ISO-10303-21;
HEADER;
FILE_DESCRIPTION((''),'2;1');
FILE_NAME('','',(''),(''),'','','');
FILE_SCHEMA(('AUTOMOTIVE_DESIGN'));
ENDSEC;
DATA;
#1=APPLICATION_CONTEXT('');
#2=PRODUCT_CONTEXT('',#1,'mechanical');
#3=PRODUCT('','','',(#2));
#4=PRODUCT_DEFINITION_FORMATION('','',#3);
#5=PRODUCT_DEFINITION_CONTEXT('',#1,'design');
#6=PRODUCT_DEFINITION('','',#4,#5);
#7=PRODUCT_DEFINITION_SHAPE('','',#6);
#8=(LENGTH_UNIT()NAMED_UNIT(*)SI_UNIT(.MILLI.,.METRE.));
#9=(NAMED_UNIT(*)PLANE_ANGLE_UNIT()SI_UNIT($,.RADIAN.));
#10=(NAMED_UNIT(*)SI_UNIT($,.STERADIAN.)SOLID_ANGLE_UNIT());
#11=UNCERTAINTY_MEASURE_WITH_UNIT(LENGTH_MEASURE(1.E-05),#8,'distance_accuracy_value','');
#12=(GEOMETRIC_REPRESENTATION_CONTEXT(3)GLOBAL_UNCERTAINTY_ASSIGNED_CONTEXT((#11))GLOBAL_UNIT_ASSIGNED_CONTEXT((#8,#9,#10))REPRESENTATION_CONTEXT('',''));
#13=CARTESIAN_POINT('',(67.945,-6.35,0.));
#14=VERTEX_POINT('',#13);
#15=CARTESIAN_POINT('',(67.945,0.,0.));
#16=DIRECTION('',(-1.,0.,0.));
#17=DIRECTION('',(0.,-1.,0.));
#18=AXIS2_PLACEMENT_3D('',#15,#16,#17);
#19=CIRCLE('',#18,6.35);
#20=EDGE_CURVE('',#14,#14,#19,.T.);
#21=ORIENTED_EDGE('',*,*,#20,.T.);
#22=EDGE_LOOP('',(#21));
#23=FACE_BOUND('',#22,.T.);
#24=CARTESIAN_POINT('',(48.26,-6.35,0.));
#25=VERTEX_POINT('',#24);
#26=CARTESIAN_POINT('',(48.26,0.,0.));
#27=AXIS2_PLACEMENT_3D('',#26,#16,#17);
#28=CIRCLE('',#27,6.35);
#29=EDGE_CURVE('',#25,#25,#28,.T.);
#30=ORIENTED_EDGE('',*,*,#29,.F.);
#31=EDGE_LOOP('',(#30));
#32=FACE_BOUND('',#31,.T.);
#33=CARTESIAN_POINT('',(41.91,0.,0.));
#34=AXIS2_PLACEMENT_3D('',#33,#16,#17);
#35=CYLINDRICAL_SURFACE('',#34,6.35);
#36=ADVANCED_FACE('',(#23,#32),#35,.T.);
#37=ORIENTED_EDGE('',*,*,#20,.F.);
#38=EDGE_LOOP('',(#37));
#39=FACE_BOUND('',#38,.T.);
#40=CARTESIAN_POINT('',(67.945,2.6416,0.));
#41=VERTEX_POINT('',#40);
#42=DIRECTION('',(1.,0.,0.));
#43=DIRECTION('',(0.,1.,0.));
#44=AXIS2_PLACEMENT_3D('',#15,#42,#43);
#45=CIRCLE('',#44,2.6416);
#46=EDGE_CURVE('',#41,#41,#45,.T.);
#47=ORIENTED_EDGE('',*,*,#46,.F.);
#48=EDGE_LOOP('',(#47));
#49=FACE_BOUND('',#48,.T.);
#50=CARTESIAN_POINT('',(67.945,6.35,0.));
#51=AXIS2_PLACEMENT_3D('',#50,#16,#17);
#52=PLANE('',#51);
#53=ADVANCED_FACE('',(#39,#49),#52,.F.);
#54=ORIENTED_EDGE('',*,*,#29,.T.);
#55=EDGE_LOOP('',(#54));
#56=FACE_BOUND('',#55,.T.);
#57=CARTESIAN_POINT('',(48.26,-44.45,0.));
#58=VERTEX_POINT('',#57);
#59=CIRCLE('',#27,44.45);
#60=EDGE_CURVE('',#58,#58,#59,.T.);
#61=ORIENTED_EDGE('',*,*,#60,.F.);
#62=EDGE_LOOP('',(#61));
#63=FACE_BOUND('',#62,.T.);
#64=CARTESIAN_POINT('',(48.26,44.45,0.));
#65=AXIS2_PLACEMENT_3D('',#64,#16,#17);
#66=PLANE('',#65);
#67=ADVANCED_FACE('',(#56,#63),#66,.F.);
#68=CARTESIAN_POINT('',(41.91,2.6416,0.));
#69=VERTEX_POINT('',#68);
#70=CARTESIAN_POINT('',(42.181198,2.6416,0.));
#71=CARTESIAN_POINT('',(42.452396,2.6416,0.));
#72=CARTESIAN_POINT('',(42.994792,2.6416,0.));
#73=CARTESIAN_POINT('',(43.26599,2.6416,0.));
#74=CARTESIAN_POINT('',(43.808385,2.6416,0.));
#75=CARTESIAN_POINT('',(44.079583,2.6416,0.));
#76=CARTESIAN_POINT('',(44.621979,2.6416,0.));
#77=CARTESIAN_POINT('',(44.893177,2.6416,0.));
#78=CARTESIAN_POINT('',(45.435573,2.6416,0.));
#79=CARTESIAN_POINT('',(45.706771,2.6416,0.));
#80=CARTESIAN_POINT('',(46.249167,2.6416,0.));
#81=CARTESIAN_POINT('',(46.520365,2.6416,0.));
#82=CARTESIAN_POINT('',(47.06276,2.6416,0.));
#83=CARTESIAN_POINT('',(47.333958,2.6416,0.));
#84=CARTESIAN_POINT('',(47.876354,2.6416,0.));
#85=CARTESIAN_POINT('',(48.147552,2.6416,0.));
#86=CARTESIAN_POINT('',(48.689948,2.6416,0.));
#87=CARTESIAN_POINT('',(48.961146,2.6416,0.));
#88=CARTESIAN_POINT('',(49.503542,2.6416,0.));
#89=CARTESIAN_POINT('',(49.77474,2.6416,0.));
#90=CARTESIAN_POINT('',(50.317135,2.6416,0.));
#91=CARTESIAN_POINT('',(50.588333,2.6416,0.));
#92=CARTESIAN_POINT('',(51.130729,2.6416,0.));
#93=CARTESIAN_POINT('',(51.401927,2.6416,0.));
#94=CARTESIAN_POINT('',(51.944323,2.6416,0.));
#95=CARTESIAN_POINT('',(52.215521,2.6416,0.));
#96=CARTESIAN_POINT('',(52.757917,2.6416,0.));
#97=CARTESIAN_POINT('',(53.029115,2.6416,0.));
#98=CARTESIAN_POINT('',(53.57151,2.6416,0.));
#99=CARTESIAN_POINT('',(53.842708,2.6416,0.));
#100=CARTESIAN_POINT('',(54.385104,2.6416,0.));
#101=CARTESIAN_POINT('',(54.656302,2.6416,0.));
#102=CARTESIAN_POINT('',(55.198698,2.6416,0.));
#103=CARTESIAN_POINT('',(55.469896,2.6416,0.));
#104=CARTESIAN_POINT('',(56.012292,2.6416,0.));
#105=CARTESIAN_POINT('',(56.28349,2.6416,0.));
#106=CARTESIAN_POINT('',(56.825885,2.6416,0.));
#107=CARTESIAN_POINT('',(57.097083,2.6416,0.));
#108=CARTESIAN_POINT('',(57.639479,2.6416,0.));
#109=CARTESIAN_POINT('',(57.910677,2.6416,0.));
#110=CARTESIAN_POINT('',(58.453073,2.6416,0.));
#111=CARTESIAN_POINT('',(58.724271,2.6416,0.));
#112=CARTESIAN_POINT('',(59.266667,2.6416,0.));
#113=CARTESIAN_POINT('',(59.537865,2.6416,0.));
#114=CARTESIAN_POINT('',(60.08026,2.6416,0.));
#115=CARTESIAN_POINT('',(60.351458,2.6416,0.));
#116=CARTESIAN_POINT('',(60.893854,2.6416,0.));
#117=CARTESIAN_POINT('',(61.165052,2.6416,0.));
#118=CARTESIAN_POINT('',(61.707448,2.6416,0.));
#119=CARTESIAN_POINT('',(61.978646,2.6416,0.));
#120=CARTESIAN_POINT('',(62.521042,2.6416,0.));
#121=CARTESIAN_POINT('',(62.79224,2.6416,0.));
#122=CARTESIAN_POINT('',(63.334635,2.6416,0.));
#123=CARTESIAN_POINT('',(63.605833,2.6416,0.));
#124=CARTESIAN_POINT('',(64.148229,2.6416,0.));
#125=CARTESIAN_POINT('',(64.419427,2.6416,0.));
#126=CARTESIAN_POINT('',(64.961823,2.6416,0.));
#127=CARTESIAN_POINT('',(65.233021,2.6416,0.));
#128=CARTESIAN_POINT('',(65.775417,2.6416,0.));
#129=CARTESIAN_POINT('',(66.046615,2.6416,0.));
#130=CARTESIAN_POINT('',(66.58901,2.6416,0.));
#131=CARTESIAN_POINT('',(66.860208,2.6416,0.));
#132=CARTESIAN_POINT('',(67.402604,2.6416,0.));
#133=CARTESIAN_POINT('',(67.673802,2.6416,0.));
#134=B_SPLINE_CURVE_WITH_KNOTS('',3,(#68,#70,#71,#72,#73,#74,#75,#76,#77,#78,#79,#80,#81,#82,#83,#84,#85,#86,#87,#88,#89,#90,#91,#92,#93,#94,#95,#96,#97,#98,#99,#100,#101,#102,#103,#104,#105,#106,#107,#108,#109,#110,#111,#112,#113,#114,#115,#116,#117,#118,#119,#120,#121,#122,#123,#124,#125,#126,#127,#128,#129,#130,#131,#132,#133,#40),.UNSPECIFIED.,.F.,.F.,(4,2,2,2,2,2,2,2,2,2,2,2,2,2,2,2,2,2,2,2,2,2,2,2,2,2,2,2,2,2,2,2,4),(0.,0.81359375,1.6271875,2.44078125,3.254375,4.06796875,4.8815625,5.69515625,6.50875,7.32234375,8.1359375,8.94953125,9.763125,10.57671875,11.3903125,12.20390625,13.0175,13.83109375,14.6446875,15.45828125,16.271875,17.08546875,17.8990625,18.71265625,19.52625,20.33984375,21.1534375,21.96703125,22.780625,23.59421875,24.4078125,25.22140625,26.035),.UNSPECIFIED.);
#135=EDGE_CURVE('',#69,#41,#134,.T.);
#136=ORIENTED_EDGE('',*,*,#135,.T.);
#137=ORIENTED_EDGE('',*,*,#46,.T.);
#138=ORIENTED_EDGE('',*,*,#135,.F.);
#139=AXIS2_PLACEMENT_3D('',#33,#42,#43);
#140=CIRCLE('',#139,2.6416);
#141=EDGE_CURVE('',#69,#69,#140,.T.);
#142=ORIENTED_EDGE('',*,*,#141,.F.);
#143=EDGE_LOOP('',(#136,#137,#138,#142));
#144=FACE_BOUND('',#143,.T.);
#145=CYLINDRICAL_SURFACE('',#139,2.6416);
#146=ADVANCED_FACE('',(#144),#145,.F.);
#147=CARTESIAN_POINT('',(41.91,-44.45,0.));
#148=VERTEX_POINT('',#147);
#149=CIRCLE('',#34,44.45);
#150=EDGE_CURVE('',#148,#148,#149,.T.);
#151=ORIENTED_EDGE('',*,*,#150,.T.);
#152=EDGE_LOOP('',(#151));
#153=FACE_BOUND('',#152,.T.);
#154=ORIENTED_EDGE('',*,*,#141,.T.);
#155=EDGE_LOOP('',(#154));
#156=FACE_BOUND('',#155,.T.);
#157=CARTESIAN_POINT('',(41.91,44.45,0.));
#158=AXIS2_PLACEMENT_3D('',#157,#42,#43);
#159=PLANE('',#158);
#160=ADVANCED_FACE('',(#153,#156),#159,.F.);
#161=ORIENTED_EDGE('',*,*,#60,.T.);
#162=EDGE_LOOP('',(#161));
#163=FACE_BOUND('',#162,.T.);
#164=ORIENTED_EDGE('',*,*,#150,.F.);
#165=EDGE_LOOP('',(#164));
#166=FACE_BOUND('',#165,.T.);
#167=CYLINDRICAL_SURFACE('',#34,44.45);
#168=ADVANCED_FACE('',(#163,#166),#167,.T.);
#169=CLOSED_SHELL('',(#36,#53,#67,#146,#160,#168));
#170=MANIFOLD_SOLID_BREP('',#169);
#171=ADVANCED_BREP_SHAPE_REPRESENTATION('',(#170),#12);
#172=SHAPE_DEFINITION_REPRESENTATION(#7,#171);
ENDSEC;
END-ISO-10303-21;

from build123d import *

# Parameters (mm, degrees)
SKETCH3_R          = 2.6416
CUT_EXTRUDE1_DEPTH = 69.039887015


with BuildPart() as part:
    # Sketch2 → Revolve1 (revolve)
    with BuildSketch(Plane.XY, mode=Mode.PRIVATE) as revolve1_sk:
        Polygon((41.91, 44.45), (48.26, 44.45), (48.26, 6.35), (67.945, 6.35), (67.945, 0), (41.91, 0), align=None)
    revolve(revolve1_sk.sketch.rotate(Axis((41.91, 0, 0), (1, 0, 0)), 180), axis=Axis((41.91, 0, 0), (1, 0, 0)))

    # Sketch3 → Cut-Extrude1 (cut, through all)
    with BuildSketch(Plane(origin=(67.945, 0, 0), x_dir=(0, 0, -1), z_dir=(1, 0, 0))):
        with Locations(Location((0, 0, 0), (0, 0, 90))):
            Circle(SKETCH3_R)
    extrude(amount=-CUT_EXTRUDE1_DEPTH, mode=Mode.SUBTRACT)


solid = part.part
